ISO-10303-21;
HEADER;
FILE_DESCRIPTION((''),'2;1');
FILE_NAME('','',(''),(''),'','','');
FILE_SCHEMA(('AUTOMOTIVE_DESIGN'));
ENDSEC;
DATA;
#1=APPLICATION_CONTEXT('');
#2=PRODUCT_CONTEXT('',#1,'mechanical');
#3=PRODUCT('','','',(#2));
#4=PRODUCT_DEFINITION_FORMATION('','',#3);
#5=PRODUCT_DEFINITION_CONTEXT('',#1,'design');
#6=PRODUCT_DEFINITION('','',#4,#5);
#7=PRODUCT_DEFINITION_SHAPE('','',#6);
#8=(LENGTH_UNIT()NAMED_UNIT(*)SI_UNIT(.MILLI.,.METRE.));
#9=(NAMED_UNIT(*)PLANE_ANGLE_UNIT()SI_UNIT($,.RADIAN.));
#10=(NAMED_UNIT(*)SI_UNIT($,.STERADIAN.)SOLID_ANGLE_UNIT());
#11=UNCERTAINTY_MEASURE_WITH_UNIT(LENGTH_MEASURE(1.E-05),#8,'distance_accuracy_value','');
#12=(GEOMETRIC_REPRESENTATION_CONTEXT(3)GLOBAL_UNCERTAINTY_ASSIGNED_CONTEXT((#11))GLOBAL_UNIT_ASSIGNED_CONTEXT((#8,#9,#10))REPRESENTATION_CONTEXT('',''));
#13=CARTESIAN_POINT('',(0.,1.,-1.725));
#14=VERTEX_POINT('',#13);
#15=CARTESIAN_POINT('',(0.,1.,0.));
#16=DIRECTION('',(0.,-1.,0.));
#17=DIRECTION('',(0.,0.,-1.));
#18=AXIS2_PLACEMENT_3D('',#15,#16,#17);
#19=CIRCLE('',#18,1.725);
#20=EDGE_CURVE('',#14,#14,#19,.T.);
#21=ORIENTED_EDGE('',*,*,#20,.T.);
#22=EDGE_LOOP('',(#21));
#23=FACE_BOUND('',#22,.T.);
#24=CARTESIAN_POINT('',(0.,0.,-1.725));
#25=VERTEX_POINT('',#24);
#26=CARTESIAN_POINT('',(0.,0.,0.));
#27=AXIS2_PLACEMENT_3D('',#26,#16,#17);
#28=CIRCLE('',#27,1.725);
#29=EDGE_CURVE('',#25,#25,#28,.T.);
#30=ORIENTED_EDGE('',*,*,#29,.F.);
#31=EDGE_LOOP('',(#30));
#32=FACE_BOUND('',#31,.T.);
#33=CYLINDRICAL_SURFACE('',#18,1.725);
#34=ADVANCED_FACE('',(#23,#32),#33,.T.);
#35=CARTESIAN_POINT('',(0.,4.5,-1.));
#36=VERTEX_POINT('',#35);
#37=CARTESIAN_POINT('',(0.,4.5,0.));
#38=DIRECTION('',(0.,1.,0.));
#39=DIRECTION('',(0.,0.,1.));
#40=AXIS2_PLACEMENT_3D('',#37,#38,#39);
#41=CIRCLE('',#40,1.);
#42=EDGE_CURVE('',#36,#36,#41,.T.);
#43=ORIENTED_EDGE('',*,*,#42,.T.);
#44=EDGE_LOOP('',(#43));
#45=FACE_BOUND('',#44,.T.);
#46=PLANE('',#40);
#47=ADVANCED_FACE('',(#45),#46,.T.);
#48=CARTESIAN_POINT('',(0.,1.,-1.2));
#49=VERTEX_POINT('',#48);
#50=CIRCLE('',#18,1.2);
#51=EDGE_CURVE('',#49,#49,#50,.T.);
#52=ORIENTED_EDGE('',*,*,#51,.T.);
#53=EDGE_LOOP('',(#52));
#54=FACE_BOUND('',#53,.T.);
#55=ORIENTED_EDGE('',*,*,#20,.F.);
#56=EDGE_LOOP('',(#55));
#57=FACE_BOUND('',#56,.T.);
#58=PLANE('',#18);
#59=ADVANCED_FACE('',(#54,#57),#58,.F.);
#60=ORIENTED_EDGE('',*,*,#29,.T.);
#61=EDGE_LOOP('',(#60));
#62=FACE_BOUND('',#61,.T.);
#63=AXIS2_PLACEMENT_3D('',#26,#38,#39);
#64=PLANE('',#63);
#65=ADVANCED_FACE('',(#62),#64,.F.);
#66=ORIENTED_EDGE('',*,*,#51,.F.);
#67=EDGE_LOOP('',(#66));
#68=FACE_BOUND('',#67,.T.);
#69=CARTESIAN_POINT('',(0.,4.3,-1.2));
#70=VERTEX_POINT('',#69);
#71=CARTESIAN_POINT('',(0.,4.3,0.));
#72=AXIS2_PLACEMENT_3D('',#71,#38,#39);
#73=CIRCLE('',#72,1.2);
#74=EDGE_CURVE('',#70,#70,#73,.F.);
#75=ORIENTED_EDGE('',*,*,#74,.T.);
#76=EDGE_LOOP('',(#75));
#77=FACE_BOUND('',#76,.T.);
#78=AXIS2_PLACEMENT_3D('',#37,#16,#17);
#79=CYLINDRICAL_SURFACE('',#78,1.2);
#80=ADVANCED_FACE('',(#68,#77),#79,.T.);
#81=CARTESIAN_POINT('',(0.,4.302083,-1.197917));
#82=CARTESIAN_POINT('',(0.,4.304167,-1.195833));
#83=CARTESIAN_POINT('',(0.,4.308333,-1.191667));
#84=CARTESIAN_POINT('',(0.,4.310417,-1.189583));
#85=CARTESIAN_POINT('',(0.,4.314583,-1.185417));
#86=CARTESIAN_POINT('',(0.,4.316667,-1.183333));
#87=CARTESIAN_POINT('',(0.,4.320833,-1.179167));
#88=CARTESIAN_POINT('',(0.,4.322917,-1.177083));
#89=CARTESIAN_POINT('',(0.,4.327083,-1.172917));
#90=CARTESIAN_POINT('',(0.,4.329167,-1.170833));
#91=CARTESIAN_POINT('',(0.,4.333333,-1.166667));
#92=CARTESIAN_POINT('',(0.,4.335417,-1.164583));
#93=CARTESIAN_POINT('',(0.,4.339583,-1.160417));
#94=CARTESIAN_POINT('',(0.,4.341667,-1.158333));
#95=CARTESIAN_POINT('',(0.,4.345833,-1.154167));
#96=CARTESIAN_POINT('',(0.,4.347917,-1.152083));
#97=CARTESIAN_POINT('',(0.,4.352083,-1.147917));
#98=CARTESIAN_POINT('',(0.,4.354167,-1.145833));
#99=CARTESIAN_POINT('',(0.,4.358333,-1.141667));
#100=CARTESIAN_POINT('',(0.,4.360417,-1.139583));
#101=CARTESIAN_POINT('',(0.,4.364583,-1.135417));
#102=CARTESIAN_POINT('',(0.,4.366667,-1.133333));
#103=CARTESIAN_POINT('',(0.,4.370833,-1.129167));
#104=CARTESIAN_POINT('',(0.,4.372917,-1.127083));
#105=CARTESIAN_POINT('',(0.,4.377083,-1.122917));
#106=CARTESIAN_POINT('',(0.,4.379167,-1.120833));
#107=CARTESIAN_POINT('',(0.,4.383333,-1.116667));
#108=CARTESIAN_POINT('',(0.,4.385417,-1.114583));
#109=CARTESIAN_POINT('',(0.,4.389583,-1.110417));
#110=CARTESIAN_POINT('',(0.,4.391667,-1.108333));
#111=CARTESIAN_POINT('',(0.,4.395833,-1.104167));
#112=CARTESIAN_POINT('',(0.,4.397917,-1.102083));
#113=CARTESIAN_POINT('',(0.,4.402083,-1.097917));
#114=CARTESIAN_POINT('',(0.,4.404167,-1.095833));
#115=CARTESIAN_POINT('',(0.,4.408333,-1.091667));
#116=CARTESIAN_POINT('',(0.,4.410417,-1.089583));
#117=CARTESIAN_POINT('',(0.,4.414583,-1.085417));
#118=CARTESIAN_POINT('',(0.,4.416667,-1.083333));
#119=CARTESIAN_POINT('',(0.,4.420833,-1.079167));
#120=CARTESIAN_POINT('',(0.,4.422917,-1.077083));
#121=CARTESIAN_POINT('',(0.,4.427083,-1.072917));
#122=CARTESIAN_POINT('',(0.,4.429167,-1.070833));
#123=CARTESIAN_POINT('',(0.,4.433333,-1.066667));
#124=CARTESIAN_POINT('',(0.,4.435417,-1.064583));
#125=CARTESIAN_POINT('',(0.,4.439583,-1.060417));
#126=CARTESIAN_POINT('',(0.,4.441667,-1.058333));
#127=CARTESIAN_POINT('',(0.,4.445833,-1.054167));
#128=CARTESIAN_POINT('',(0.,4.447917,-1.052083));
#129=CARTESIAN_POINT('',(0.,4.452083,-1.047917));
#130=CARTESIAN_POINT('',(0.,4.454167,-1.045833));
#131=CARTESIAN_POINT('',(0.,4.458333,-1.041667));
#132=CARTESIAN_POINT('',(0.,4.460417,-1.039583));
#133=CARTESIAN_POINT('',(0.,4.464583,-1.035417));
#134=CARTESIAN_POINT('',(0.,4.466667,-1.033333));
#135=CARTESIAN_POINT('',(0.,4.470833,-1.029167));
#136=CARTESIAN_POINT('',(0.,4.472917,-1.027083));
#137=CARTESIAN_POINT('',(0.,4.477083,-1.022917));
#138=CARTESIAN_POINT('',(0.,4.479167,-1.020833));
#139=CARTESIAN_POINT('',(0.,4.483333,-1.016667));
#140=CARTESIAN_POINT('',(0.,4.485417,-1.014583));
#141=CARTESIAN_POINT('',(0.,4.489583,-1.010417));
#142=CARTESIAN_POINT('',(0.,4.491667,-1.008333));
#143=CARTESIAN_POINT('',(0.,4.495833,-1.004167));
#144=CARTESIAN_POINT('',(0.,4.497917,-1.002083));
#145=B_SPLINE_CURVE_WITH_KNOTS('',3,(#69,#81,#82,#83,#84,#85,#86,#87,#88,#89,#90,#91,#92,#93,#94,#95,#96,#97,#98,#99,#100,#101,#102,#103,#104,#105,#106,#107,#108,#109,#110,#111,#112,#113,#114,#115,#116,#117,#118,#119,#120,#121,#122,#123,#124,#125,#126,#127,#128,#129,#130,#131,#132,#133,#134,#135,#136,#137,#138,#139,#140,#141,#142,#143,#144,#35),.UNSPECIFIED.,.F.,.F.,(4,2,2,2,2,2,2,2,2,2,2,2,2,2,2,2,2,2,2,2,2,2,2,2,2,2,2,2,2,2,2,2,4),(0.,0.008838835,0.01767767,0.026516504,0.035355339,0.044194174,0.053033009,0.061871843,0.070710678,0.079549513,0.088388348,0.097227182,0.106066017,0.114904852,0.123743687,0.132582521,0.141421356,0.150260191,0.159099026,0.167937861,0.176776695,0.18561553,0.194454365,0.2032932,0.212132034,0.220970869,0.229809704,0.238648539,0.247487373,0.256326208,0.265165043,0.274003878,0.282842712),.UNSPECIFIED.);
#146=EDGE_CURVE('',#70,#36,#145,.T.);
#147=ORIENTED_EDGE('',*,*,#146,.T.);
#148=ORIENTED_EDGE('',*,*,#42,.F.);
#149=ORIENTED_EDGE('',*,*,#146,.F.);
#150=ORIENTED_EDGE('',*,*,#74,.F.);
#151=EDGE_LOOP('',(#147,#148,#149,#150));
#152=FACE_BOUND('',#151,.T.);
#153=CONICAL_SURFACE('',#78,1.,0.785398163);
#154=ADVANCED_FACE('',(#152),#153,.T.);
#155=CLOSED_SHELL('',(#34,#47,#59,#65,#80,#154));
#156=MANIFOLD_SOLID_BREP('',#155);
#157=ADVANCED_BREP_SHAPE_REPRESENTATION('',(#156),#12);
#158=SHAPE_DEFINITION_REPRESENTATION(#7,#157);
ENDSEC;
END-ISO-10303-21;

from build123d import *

# Parameters (mm, degrees)
SKETCH2_R           = 1.2
BOSS_EXTRUDE1_DEPTH = 4.5
SKETCH5_R           = 1.725
BOSS_EXTRUDE2_DEPTH = 1
CHAMFER1_SIZE       = 0.2


with BuildPart() as part:
    # Sketch2 → Boss-Extrude1 (new body)
    with BuildSketch(Plane(origin=(0, 0, 0), x_dir=(1, 0, 0), z_dir=(0, 1, 0))):
        with Locations(Location((0, 0, 0), (0, 0, 270))):
            Circle(SKETCH2_R)
    extrude(amount=BOSS_EXTRUDE1_DEPTH)

    # Sketch5 → Boss-Extrude2 (add)
    with BuildSketch(Plane.XZ):
        with Locations(Location((0, 0, 0), (0, 0, 270))):
            Circle(SKETCH5_R)
    extrude(amount=-BOSS_EXTRUDE2_DEPTH)

    # Chamfer1
    chamfer1_edges = [part.edges().sort_by_distance(p)[0] for p in [
        (0, 4.5, -1.2),
    ]]
    chamfer(chamfer1_edges, length=CHAMFER1_SIZE)


solid = part.part
